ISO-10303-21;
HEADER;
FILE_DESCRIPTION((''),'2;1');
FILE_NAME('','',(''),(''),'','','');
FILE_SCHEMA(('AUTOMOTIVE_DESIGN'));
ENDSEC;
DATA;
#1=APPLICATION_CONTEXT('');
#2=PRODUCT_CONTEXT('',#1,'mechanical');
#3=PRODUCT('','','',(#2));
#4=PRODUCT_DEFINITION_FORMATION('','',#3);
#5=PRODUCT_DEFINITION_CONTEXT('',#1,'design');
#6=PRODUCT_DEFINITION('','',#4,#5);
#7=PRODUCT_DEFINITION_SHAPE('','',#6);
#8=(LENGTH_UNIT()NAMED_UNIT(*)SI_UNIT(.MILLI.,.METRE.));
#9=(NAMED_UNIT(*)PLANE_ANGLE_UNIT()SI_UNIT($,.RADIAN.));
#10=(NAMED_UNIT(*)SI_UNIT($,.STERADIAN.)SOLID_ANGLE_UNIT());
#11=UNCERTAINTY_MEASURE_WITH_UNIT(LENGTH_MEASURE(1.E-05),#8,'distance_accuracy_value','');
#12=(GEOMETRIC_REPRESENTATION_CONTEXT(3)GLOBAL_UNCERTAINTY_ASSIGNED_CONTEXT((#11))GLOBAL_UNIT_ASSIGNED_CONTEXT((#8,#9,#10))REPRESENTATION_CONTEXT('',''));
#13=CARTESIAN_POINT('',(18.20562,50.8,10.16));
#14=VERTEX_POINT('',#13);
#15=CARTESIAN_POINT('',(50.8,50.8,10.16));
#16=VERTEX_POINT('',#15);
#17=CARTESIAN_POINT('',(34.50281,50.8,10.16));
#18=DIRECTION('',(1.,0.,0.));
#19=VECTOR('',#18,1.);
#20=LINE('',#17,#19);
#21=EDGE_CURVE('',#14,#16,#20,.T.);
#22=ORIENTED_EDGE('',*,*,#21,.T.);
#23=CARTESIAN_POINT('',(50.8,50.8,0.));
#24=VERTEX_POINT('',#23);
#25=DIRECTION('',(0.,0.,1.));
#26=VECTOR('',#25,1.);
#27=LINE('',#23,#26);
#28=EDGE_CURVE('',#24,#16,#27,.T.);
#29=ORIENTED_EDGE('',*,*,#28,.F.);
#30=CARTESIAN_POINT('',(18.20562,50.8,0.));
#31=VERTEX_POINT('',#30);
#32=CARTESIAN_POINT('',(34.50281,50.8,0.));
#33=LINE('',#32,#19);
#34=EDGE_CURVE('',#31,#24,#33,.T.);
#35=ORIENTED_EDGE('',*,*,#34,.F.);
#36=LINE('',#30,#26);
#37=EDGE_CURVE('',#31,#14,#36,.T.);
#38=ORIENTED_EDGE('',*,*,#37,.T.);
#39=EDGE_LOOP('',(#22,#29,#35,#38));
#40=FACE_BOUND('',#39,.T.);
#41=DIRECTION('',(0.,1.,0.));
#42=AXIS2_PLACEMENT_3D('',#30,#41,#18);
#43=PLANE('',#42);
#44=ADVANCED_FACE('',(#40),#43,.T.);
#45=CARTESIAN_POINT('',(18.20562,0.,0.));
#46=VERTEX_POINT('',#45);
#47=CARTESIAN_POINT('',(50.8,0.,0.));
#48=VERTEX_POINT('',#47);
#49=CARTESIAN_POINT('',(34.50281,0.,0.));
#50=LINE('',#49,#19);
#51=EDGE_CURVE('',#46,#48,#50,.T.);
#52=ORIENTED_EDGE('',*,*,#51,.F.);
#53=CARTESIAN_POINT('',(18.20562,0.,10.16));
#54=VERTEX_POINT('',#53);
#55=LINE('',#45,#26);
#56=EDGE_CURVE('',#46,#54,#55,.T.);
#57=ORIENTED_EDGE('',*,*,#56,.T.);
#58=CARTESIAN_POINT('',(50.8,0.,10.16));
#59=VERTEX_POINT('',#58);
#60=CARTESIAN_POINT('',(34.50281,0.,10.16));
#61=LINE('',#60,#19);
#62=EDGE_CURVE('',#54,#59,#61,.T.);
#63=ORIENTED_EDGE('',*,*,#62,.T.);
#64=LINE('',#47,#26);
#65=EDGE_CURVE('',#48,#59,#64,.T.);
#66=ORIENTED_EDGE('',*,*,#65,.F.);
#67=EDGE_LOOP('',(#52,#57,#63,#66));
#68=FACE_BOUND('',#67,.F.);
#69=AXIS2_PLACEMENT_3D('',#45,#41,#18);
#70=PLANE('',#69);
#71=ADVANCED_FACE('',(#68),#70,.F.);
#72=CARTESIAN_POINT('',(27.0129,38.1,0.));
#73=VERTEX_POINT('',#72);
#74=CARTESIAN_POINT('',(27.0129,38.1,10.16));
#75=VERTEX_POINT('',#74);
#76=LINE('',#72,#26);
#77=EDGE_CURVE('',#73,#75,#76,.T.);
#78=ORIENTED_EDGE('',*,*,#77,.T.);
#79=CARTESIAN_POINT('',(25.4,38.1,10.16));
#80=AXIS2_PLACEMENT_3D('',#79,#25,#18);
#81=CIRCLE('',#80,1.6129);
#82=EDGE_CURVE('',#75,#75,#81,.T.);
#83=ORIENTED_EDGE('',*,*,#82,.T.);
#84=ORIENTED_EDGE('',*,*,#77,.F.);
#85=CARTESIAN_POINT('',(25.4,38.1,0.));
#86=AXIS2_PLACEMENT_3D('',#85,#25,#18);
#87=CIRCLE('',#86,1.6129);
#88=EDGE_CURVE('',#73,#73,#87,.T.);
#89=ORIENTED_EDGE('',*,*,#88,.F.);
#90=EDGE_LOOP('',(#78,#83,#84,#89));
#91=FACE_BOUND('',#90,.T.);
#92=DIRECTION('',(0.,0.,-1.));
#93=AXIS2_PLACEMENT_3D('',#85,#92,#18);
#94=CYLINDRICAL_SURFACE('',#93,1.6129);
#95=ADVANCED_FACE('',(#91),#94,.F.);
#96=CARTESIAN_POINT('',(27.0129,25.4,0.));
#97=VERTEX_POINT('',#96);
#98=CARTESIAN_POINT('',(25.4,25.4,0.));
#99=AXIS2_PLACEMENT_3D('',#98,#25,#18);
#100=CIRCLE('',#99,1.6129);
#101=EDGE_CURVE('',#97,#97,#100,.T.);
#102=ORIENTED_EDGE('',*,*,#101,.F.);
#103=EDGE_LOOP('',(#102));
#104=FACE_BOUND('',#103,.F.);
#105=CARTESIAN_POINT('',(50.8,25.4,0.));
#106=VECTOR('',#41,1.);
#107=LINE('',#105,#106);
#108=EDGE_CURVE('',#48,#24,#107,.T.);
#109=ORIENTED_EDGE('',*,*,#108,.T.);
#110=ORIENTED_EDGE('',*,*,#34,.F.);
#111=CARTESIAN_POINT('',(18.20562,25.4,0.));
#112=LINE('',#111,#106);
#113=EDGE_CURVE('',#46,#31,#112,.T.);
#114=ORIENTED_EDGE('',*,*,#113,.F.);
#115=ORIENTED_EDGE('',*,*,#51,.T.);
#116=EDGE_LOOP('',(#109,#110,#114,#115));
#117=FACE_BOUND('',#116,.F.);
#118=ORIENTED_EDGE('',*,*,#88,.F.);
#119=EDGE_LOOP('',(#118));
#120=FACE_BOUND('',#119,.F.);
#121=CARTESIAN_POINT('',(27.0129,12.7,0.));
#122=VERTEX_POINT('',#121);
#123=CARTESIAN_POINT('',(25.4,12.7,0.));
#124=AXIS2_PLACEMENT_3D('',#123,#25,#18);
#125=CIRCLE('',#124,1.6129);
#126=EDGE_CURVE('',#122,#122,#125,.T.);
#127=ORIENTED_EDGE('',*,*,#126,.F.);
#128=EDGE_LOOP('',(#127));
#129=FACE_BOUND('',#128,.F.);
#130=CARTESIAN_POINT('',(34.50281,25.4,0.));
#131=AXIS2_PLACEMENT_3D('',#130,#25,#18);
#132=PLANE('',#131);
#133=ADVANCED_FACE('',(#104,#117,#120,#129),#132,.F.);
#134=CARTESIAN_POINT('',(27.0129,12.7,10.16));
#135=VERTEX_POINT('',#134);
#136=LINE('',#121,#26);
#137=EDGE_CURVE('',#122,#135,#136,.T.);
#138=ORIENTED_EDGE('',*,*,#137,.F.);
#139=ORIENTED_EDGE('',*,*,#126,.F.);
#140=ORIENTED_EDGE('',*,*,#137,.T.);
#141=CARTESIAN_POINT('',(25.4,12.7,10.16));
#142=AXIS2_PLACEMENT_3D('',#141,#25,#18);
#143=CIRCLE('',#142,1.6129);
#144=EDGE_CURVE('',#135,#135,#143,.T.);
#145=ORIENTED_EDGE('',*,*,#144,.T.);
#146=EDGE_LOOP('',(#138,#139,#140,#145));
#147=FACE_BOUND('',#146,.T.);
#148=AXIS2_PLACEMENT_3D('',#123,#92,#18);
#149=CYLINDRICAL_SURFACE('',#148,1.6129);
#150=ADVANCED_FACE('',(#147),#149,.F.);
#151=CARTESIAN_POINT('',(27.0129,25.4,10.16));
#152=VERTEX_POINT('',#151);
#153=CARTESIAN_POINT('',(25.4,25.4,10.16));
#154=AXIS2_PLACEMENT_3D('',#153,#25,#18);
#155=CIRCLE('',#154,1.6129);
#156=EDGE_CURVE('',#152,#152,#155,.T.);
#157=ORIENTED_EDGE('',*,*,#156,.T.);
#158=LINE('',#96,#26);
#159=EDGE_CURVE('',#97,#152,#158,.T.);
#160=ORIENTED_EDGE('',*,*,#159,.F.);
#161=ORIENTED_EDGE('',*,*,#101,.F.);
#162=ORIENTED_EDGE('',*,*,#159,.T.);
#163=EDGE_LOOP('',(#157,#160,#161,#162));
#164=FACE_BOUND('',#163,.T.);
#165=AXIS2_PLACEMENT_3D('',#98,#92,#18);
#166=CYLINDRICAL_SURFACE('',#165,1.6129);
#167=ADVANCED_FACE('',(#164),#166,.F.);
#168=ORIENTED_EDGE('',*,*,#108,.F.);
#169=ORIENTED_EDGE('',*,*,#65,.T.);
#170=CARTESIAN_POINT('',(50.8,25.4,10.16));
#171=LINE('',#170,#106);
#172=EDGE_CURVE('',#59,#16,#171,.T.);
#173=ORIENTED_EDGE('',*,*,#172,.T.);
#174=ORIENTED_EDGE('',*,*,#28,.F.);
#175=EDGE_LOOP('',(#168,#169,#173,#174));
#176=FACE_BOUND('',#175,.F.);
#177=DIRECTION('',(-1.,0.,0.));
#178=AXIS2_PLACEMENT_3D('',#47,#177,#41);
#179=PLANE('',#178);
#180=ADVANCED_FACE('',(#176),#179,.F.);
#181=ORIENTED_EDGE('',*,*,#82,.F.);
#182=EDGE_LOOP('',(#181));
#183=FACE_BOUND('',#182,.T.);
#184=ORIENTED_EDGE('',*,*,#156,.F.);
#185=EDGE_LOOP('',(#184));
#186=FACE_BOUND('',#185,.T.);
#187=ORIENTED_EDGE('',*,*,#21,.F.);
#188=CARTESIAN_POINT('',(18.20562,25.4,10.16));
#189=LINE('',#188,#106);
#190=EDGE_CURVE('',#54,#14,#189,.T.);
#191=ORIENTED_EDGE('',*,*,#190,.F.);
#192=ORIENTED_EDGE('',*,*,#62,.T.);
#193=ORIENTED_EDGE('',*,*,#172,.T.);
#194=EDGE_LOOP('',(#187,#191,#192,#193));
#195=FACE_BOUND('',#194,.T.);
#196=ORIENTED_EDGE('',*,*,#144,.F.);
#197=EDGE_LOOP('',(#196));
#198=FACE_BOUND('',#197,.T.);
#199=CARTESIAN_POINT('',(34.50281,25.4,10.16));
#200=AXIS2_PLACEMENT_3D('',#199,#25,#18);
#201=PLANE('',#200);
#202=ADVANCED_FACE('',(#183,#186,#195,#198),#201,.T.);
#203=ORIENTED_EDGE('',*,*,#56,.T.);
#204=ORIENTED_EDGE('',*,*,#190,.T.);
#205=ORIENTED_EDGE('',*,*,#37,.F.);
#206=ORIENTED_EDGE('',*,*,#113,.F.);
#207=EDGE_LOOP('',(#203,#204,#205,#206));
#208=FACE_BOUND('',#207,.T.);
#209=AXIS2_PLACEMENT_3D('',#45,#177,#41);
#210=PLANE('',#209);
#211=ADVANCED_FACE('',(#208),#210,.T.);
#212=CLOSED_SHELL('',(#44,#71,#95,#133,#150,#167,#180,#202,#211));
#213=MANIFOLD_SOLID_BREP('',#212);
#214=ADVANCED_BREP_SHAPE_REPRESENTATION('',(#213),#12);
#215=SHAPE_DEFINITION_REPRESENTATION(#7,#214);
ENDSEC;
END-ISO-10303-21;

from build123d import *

# Parameters (mm, degrees)
F0_W     = 32.59438
F0_H     = 50.8
F0_R     = 1.6129
F1_DEPTH = 10.16


with BuildPart() as f1:
    # F0 (on Top) → F1 (new body)
    with BuildSketch(Plane.XY):
        with Locations((34.50281, 25.4)):
            Rectangle(F0_W, F0_H)
        with Locations((25.4, 12.7)):
            Circle(F0_R, mode=Mode.SUBTRACT)
        with Locations((25.4, 25.4)):
            Circle(F0_R, mode=Mode.SUBTRACT)
        with Locations((25.4, 38.1)):
            Circle(F0_R, mode=Mode.SUBTRACT)
    extrude(amount=F1_DEPTH)


solid = f1.part
